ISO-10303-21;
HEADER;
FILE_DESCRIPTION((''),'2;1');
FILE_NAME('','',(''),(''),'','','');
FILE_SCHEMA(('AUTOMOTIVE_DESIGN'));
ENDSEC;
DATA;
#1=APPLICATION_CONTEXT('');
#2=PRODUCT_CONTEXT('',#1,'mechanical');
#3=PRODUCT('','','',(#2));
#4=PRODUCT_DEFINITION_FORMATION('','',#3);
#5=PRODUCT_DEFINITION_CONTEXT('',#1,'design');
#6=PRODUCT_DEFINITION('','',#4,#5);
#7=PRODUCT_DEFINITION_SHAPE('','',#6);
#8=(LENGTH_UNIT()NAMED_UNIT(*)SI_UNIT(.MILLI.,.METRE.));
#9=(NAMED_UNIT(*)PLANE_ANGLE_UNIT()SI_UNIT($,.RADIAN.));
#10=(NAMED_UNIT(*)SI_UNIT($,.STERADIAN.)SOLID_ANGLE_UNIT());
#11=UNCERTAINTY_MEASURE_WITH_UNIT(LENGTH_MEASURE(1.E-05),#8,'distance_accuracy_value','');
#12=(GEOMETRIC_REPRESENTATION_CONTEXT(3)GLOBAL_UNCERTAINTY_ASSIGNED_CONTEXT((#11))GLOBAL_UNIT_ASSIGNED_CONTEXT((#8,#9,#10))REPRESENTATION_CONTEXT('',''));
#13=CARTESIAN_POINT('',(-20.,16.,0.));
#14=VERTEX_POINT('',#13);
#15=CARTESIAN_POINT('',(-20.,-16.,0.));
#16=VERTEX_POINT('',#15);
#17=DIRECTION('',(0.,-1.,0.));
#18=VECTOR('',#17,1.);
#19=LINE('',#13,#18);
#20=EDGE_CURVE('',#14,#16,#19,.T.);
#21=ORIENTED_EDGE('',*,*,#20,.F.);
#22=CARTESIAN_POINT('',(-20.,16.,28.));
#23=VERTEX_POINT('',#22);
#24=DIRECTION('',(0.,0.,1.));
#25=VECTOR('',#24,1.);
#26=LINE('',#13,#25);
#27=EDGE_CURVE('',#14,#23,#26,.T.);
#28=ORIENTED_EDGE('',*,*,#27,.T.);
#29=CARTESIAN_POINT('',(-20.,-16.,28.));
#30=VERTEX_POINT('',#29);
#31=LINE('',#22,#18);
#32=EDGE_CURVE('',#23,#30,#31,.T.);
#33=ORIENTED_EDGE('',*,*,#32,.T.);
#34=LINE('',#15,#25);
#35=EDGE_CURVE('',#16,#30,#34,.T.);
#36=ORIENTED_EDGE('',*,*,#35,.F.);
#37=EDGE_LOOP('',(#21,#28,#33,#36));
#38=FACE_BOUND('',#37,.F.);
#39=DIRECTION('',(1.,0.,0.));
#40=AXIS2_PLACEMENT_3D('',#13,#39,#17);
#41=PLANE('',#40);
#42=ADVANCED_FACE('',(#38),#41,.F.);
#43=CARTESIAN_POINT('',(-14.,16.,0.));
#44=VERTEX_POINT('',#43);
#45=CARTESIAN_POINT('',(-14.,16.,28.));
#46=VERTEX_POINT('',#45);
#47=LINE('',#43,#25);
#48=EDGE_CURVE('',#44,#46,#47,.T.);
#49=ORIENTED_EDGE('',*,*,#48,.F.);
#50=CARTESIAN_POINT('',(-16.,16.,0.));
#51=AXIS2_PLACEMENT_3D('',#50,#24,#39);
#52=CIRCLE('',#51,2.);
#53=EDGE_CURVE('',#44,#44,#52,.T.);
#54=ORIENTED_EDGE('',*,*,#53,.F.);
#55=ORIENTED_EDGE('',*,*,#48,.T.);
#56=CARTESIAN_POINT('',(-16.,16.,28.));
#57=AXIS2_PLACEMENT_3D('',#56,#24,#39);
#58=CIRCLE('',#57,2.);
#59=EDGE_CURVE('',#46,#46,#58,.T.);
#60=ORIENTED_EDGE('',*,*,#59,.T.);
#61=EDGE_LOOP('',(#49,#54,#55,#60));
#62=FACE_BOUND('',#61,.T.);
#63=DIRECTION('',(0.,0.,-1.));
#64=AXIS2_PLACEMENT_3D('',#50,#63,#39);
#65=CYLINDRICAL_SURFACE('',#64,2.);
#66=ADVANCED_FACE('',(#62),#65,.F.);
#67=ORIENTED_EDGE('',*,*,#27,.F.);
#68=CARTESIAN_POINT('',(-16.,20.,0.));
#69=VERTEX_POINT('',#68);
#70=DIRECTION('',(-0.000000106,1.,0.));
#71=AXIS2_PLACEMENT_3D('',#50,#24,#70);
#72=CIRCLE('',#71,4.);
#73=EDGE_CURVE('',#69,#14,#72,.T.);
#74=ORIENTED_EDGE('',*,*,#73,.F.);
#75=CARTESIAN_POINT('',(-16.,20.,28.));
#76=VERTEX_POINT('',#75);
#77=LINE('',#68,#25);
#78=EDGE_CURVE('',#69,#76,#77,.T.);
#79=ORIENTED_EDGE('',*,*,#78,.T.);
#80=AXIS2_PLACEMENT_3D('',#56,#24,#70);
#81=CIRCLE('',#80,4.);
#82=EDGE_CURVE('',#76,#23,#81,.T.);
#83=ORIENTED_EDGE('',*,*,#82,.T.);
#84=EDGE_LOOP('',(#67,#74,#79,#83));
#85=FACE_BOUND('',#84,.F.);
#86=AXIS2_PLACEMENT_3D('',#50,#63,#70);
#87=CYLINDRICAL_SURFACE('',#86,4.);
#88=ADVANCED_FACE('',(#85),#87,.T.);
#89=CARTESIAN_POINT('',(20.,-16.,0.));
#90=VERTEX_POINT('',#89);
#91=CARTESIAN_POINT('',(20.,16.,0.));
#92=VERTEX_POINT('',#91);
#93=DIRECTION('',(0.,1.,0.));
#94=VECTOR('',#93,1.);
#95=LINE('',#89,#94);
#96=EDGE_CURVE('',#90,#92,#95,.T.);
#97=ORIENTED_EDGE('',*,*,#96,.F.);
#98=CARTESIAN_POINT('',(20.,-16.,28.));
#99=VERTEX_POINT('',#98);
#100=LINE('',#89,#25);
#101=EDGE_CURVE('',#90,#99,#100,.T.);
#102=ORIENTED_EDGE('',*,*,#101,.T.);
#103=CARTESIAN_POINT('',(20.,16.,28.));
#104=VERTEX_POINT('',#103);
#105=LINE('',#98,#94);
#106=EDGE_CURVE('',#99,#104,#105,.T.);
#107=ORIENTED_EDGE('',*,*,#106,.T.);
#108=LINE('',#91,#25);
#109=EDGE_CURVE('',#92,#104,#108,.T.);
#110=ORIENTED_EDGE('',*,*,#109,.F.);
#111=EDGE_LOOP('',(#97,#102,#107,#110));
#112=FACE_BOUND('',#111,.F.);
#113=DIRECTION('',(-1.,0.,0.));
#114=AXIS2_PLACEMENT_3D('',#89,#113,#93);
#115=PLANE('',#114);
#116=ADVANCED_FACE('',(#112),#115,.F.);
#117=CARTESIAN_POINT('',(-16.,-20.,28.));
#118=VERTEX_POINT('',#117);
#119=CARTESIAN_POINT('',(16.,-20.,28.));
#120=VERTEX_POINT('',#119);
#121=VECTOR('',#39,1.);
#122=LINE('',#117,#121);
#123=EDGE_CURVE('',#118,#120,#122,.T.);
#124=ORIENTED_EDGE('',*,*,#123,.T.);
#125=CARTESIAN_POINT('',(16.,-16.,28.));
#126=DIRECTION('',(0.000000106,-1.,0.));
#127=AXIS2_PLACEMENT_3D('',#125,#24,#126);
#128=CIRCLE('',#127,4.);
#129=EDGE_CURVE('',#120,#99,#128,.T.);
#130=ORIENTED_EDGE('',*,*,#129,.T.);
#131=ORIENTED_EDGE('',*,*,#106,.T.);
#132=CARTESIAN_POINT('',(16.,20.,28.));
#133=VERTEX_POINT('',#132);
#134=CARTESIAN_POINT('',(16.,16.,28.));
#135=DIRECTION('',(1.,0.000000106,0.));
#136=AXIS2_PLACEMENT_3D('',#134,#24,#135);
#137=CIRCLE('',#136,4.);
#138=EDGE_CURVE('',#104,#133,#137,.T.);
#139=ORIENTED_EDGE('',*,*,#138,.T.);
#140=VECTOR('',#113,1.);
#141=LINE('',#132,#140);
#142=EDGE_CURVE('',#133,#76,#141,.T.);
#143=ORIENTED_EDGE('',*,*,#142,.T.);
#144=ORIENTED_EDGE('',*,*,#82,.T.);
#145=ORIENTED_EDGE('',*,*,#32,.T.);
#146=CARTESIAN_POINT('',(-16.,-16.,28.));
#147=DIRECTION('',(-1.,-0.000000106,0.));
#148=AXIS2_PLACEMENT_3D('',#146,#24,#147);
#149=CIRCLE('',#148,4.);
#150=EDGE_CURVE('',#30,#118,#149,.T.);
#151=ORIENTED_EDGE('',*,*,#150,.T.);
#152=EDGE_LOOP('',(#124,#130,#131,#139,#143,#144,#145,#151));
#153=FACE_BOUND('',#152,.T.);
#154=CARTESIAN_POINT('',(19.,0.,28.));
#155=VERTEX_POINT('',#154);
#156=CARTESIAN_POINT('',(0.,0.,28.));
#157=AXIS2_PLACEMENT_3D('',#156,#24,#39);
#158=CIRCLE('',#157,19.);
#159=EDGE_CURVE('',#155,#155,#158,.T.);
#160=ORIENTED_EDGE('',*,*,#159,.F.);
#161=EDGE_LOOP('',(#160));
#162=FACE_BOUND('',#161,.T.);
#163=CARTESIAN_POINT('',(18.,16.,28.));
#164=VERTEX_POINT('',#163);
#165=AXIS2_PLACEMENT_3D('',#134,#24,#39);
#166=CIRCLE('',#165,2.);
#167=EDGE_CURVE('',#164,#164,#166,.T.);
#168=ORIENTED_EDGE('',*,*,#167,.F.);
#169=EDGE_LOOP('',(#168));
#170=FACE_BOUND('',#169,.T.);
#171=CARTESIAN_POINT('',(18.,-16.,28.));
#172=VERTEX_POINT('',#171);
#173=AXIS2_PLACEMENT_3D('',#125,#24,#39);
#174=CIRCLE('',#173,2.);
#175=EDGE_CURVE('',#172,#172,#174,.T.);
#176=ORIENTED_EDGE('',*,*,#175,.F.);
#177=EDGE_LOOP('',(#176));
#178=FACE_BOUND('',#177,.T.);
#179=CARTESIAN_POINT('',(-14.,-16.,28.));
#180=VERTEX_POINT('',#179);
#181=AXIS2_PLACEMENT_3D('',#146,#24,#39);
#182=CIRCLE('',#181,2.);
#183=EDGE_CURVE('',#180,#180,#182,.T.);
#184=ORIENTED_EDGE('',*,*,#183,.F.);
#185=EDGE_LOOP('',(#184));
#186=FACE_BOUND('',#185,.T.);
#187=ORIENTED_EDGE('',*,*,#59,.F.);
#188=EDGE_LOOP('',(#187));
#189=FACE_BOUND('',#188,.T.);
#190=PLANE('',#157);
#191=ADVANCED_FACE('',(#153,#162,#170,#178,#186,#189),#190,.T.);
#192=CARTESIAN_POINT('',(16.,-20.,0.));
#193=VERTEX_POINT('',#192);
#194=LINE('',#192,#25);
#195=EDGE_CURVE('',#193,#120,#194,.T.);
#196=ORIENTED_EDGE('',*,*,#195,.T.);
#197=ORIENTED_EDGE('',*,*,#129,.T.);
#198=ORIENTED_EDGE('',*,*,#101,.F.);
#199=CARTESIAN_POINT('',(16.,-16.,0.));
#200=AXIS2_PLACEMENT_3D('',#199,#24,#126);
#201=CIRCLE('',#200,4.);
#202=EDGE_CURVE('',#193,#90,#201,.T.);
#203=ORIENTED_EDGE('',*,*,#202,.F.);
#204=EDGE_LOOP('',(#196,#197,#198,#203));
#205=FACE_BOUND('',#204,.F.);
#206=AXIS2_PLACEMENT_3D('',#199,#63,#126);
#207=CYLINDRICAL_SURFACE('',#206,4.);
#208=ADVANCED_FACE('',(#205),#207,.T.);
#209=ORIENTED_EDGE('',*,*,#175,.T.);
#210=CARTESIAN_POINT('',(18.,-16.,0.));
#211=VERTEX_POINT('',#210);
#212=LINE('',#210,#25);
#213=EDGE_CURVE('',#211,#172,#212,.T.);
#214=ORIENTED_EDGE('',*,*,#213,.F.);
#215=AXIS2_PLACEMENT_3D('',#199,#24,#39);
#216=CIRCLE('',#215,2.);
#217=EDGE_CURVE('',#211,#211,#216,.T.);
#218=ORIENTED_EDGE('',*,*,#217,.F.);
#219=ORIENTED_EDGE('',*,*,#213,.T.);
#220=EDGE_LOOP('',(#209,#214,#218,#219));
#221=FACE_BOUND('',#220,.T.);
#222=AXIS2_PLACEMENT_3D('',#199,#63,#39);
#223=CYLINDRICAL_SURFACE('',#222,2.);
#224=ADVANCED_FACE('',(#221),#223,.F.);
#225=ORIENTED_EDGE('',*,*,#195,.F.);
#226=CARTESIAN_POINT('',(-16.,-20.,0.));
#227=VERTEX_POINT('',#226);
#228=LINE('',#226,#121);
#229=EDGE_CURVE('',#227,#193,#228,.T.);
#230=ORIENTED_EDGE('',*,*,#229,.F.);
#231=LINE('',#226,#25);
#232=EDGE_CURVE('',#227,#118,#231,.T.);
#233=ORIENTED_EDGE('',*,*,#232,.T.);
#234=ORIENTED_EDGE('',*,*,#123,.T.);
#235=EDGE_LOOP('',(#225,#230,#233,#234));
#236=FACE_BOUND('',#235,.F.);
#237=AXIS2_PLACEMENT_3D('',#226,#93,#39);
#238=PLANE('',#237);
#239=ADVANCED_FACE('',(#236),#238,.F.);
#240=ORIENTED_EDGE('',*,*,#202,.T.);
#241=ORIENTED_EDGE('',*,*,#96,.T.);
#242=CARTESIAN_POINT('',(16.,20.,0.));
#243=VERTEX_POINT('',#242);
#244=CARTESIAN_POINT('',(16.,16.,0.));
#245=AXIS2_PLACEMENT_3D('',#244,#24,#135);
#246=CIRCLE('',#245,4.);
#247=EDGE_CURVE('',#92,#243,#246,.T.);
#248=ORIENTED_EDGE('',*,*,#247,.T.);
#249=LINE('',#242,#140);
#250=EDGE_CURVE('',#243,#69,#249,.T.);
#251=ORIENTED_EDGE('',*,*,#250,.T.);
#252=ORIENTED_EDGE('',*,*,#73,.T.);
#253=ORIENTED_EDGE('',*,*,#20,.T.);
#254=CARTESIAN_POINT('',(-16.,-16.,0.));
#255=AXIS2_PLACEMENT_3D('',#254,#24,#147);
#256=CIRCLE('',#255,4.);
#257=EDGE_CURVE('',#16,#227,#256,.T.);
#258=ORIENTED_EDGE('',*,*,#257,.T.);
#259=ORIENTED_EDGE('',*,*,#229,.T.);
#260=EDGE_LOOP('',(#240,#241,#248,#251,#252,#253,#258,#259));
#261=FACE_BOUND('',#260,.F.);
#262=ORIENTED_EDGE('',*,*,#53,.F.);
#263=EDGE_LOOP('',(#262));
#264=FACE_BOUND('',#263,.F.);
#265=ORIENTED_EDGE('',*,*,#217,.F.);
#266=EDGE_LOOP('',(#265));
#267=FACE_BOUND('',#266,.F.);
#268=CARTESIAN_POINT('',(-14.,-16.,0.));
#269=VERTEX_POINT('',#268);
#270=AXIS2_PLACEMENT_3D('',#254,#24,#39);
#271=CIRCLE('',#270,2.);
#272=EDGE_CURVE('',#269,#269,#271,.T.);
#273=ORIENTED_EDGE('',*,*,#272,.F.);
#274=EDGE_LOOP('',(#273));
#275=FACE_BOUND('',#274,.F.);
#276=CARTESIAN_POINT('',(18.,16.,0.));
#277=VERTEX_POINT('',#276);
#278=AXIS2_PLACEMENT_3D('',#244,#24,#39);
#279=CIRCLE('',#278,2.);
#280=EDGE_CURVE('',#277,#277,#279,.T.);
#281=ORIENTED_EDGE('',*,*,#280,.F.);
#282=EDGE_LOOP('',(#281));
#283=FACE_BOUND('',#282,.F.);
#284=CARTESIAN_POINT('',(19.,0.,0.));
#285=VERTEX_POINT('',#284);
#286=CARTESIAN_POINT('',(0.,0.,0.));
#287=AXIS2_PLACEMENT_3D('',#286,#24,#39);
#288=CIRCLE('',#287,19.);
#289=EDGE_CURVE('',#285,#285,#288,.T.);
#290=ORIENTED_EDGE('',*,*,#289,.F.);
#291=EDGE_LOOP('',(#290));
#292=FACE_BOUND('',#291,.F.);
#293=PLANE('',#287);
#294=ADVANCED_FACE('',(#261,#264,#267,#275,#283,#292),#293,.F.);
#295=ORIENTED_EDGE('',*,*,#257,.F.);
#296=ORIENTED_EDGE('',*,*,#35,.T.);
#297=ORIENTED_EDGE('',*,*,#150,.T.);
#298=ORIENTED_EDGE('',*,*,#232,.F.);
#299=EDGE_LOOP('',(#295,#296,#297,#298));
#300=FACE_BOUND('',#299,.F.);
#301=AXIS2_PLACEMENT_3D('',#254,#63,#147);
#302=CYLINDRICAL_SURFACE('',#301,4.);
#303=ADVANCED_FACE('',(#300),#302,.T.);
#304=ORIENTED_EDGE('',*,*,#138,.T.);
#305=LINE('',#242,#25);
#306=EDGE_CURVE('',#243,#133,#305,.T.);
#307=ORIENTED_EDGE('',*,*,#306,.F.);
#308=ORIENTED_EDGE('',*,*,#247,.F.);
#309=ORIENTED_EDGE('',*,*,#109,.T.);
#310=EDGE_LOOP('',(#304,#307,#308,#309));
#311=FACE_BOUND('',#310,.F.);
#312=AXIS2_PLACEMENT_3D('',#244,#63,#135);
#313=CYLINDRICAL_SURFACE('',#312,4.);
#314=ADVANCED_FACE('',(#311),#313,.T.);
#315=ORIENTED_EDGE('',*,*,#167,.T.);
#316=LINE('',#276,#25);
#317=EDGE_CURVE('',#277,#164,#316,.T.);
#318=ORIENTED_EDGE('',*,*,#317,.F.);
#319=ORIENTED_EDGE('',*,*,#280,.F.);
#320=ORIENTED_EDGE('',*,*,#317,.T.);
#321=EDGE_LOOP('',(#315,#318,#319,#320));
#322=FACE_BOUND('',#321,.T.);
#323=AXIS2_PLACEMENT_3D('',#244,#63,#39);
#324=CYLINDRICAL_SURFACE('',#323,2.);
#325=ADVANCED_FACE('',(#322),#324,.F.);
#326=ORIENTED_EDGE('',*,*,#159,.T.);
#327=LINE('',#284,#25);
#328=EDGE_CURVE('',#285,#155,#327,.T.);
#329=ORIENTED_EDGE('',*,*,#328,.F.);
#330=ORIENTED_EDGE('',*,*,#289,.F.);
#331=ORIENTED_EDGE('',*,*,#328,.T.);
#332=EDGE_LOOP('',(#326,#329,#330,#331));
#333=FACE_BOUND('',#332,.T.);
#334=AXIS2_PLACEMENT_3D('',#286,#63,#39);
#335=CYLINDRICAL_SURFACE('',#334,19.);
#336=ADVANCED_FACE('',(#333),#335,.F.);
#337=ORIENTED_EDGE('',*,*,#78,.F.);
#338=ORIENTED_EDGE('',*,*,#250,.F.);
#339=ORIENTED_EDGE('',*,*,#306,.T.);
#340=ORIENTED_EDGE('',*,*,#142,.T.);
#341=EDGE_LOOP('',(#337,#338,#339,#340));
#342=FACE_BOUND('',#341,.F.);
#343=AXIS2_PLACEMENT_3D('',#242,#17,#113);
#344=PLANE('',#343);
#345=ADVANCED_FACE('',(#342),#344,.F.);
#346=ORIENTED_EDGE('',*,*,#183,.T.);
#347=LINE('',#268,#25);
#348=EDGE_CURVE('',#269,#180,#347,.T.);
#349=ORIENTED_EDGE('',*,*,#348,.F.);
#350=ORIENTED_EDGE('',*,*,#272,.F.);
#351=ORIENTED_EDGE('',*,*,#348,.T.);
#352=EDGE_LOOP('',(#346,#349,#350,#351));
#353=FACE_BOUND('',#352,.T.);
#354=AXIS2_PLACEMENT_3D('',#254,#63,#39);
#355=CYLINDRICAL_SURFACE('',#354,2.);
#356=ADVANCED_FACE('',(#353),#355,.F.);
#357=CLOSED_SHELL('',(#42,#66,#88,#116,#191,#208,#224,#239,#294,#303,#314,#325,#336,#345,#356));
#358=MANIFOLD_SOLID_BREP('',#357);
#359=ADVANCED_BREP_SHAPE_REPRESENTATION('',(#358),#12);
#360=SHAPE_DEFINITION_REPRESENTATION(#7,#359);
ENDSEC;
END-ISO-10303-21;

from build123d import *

# Parameters (mm, degrees)
F0_R     = 2
F0_R_2   = 19
F1_DEPTH = 28


with BuildPart() as f1:
    # F0 (on Top) → F1 (new body)
    with BuildSketch(Plane.XY):
        with BuildLine():
            ThreePointArc((-20, -16), (-18.828427, -18.828427), (-16, -20))
            Line((-16, -20), (16, -20))
            ThreePointArc((16, -20), (18.828427, -18.828427), (20, -16))
            Line((20, -16), (20, 16))
            ThreePointArc((20, 16), (18.828427, 18.828427), (16, 20))
            Line((16, 20), (-16, 20))
            ThreePointArc((-16, 20), (-18.828427, 18.828427), (-20, 16))
            Line((-20, 16), (-20, -16))
        make_face()
        with Locations((-16, -16)):
            Circle(F0_R, mode=Mode.SUBTRACT)
        with Locations((16, -16)):
            Circle(F0_R, mode=Mode.SUBTRACT)
        with Locations((-16, 16)):
            Circle(F0_R, mode=Mode.SUBTRACT)
        Circle(F0_R_2, mode=Mode.SUBTRACT)
        with Locations((16, 16)):
            Circle(F0_R, mode=Mode.SUBTRACT)
    extrude(amount=F1_DEPTH)


solid = f1.part
